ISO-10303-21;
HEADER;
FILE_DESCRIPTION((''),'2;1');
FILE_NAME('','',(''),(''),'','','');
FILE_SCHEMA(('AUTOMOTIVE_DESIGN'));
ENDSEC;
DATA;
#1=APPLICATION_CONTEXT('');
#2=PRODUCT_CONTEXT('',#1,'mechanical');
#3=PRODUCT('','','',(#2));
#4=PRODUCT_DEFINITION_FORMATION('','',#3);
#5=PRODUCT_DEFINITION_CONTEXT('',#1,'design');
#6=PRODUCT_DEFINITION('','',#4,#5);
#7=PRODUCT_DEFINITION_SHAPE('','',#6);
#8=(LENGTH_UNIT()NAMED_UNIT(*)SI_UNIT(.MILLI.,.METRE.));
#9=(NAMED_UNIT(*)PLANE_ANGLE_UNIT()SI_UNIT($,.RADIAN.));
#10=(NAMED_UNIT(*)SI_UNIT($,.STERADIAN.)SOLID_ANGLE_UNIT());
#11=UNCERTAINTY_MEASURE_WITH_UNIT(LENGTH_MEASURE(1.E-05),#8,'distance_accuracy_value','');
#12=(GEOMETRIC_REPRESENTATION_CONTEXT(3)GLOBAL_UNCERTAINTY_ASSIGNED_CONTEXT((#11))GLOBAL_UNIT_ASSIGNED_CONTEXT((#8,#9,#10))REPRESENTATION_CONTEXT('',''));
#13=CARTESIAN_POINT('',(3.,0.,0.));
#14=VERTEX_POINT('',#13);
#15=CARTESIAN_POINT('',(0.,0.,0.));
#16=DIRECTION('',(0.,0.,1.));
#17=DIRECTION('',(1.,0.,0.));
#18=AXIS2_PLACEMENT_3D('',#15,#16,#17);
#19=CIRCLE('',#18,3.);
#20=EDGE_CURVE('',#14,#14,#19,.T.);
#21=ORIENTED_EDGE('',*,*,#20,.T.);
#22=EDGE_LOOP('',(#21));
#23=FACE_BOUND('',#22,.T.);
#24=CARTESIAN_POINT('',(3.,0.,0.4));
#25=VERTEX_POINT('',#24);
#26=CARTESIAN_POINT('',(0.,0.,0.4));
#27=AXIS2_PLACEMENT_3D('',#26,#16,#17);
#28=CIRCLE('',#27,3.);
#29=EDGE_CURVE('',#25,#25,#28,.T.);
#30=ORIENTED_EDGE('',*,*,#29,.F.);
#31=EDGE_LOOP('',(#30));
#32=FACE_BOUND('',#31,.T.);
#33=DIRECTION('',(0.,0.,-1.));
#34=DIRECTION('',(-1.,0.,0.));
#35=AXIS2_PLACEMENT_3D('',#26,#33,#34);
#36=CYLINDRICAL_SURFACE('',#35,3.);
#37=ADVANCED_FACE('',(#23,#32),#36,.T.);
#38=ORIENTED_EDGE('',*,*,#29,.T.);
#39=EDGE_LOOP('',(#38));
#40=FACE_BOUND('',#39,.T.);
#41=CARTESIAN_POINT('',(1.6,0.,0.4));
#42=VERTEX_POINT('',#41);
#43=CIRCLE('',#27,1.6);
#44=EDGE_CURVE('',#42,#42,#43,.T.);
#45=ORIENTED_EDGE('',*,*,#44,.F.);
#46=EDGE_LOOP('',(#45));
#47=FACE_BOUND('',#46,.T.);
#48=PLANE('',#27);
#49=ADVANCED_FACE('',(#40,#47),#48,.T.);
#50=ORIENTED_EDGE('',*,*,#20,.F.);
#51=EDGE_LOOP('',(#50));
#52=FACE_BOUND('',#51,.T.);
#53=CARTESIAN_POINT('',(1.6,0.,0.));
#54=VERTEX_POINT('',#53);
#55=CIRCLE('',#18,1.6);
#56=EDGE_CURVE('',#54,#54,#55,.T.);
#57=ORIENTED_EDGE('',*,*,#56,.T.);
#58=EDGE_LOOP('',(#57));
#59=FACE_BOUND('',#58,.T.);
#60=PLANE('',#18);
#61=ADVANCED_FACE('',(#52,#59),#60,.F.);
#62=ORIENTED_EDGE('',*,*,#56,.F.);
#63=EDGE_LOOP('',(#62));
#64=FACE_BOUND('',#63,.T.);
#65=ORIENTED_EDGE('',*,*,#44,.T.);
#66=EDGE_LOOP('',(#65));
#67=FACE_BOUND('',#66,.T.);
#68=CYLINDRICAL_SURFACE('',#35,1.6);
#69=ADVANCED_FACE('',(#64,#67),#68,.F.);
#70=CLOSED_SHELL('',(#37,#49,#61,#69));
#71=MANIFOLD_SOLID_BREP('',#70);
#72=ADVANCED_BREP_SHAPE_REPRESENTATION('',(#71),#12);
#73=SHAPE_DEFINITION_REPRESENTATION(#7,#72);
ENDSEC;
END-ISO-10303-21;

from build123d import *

# Parameters (mm, degrees)
ESQUISSE1_R      = 3
ESQUISSE1_R_2    = 1.6
EXTRUSION1_DEPTH = 0.4


with BuildPart() as part:
    # Esquisse1 → Extrusion1 (new body)
    with BuildSketch(Plane.XY):
        Circle(ESQUISSE1_R)
        Circle(ESQUISSE1_R_2, mode=Mode.SUBTRACT)
    extrude(amount=EXTRUSION1_DEPTH)


solid = part.part
